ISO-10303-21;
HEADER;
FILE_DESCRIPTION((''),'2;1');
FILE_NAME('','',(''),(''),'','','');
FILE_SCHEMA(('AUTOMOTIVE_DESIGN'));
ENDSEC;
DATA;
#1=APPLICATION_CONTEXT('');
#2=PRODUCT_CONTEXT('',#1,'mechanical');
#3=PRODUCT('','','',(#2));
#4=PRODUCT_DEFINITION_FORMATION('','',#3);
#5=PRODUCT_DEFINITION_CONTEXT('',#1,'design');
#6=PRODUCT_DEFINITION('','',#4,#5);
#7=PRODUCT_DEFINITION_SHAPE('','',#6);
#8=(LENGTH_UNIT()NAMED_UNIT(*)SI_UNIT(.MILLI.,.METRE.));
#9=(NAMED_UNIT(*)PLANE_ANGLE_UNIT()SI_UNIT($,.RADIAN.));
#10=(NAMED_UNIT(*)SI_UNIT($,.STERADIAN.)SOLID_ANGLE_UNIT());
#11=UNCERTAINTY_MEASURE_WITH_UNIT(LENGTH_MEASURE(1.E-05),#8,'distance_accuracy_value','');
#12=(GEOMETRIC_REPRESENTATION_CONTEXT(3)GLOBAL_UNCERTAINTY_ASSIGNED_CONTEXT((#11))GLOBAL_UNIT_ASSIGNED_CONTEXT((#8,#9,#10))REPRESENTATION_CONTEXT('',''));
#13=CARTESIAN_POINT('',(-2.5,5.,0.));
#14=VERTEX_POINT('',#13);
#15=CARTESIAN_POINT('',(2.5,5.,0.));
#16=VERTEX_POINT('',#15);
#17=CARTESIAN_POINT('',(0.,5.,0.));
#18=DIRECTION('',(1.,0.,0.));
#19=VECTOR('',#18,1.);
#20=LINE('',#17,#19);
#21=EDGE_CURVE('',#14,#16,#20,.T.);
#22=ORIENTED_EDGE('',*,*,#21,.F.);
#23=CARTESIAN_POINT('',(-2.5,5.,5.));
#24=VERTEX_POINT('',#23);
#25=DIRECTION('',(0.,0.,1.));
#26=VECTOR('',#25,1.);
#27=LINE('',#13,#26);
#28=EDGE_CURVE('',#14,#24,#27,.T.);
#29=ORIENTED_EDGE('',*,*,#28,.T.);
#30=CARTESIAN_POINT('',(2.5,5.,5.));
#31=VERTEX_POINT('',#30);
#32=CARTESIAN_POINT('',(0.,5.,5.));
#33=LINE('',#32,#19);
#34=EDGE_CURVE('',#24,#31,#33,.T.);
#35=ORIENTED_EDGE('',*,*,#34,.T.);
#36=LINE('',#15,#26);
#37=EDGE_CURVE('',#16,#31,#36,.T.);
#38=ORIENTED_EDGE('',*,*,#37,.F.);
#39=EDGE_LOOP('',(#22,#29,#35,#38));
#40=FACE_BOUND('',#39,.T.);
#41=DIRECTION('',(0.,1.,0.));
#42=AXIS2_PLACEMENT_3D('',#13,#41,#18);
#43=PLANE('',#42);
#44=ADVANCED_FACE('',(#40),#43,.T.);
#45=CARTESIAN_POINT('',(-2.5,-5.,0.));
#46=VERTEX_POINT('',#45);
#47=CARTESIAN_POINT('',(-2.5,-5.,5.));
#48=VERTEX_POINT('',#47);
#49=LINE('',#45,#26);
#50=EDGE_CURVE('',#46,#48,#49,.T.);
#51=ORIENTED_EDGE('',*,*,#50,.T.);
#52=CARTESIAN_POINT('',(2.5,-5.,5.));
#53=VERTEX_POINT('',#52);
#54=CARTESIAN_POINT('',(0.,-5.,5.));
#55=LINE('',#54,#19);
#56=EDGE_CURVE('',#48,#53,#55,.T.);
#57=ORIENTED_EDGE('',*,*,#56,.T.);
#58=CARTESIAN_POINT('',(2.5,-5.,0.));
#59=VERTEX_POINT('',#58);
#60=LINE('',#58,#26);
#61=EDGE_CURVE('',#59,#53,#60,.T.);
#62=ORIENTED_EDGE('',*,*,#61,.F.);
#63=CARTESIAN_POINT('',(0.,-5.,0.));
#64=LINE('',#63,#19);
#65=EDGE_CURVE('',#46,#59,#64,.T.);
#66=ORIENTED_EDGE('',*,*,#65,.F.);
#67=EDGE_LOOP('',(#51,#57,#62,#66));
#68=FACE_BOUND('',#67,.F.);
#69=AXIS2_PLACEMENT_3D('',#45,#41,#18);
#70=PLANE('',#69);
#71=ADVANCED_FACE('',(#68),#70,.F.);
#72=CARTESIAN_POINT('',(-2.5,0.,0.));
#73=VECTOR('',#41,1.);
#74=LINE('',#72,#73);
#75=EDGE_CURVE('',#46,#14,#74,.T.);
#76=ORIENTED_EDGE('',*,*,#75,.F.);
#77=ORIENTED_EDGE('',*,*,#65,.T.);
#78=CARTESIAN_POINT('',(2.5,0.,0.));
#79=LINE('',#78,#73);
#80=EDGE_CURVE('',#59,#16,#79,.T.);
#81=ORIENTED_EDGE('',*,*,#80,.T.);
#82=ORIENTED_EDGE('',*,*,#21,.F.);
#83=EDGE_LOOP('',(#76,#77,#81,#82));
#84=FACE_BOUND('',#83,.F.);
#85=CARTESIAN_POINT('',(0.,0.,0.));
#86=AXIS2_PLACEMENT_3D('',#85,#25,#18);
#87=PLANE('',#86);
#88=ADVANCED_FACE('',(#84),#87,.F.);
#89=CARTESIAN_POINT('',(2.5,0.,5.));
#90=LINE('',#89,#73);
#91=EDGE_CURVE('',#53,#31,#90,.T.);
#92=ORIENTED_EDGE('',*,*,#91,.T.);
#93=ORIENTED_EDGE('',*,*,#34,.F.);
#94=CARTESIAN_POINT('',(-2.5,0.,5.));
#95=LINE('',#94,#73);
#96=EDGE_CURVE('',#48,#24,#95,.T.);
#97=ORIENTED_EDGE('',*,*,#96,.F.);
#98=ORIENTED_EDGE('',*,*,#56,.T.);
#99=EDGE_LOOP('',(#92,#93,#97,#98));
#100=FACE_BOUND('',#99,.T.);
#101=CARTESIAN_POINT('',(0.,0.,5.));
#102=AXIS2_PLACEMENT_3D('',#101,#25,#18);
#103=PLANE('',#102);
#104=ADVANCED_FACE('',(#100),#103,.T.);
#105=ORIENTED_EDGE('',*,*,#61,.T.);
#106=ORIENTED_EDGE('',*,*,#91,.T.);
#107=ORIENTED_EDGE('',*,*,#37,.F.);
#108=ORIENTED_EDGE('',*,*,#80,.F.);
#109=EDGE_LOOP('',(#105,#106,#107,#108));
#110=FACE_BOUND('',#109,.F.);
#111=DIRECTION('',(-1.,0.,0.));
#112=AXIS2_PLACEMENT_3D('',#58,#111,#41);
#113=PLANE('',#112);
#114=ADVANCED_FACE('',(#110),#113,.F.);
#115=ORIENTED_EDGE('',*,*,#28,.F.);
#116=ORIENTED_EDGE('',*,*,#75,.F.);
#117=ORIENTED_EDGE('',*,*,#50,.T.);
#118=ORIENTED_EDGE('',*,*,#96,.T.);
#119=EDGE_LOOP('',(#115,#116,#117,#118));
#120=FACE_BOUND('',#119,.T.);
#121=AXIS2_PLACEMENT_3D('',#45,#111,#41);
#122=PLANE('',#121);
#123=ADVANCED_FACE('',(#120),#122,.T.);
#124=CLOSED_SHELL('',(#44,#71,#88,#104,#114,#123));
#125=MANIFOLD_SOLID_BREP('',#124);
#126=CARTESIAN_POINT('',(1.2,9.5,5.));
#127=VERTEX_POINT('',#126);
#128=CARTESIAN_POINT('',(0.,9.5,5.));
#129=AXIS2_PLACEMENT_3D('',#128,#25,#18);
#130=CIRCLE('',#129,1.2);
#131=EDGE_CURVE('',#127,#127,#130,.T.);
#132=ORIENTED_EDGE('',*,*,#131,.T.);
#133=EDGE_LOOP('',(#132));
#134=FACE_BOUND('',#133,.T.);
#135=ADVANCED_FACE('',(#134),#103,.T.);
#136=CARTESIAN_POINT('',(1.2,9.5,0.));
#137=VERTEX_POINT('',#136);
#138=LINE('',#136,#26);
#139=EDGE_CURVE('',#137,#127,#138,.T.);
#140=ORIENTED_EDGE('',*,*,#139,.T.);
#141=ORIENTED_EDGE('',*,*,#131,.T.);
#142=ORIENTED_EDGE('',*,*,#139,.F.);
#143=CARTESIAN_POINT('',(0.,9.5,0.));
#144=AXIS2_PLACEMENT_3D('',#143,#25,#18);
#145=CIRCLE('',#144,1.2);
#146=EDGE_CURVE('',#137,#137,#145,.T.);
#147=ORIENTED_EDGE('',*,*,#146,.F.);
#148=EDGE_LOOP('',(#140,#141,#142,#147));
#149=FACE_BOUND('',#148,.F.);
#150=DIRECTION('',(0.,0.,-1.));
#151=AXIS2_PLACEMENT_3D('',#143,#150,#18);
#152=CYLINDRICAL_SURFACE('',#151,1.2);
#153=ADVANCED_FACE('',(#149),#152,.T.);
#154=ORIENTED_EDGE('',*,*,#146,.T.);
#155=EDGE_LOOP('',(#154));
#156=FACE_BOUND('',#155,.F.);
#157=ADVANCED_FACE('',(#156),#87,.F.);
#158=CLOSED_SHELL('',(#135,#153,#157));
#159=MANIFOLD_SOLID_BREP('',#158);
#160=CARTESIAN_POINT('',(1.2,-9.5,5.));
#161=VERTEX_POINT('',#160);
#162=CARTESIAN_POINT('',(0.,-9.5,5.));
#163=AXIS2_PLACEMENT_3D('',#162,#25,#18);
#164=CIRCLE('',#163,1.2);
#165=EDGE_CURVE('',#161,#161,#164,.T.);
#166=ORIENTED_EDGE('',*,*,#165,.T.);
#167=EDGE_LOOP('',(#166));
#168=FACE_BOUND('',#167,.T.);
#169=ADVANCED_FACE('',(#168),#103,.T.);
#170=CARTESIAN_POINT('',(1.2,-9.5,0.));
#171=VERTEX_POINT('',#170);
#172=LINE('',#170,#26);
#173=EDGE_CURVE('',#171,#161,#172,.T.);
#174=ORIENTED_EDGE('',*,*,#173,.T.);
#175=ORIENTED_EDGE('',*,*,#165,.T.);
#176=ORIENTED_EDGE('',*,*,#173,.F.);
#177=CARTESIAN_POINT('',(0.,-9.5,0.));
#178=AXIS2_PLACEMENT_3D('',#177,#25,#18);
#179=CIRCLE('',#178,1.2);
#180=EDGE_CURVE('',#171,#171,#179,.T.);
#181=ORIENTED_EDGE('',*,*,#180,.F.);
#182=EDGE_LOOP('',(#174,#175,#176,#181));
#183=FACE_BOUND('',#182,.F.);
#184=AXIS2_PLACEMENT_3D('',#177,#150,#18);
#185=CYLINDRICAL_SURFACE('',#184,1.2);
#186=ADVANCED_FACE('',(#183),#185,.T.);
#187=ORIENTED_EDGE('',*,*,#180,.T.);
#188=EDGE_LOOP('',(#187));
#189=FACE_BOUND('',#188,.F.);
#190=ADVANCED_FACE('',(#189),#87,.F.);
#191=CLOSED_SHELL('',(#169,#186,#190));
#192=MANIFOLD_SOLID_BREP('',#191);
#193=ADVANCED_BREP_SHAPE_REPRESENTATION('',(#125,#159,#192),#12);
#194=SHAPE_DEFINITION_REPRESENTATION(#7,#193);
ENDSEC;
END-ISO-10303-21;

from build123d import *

# Parameters (mm, degrees)
SKETCH002_W   = 7.5
SKETCH002_H   = 23.2
SKETCH002_R   = 1.2
SKETCH002_W_2 = 5
SKETCH002_H_2 = 10
PAD_DEPTH     = 5
BOX023_W      = 6
BOX023_H      = 23
BOX023_DEPTH  = 5


with BuildPart() as body:
    # Sketch002 → Pad (new body)
    with BuildSketch(Plane.XY):
        Rectangle(SKETCH002_W, SKETCH002_H)
        with Locations((0, 9.5)):
            Circle(SKETCH002_R, mode=Mode.SUBTRACT)
        with Locations((0, -9.5)):
            Circle(SKETCH002_R, mode=Mode.SUBTRACT)
        Rectangle(SKETCH002_W_2, SKETCH002_H_2, mode=Mode.SUBTRACT)
    extrude(amount=PAD_DEPTH)


with BuildPart() as switch_holes_cut:
    # Box023 → Box023 (new body)
    with BuildSketch(Plane(origin=(-3, -11.5, 0), x_dir=(1, 0, 0), z_dir=(0, 0, 1))):
        with Locations((3, 11.5)):
            Rectangle(BOX023_W, BOX023_H)
    extrude(amount=BOX023_DEPTH)

    # Cut: cut Body
    add(body.part, mode=Mode.SUBTRACT)


solid = switch_holes_cut.part
